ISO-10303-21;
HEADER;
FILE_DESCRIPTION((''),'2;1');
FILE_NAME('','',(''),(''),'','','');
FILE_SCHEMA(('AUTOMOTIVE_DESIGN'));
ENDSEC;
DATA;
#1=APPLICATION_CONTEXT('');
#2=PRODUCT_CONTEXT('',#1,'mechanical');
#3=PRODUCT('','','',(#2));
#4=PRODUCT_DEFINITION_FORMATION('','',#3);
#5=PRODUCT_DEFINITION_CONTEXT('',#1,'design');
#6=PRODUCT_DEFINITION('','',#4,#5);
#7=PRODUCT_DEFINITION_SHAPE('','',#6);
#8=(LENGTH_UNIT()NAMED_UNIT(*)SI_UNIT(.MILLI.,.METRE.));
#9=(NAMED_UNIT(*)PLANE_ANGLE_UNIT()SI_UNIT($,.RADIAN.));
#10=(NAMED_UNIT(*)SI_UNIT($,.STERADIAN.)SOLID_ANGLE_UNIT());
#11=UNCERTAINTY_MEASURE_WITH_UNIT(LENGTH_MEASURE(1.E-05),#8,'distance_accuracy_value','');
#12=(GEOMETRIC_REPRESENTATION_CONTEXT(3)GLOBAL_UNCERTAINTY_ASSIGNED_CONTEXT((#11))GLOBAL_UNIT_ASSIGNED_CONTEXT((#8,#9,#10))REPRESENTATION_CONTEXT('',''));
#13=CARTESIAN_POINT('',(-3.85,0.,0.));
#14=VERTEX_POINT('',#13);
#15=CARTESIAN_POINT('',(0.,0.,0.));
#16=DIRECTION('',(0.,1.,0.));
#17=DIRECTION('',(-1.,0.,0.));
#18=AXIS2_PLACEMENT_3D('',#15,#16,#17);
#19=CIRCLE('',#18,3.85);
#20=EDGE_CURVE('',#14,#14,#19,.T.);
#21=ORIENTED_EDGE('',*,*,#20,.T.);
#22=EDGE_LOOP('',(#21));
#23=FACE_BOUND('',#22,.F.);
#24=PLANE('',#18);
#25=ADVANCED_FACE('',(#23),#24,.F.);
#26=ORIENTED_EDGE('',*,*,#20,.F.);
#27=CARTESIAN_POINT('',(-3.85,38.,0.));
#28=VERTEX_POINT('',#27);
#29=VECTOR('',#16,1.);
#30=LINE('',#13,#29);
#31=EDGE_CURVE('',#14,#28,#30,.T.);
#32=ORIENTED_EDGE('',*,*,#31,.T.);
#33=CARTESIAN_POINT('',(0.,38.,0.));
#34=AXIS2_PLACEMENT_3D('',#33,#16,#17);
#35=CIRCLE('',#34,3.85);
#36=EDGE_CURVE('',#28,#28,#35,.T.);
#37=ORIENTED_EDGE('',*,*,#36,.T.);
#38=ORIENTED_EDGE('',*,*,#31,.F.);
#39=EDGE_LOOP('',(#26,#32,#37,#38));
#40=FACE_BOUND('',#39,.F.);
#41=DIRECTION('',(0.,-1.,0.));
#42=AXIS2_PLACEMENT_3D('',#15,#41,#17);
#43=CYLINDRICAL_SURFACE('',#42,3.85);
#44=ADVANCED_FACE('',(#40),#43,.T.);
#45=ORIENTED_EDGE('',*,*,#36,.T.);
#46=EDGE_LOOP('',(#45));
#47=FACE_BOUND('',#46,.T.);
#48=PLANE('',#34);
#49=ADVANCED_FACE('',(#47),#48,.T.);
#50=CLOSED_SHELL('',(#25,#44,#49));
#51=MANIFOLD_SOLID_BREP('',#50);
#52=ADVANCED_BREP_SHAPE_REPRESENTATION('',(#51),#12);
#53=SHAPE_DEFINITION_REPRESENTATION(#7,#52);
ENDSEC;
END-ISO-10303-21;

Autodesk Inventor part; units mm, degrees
ref_plane "YZ Plane" through (0, 0, 0) normal (1, 0, 0) x (0, 1, 0)
ref_plane "XZ Plane" through (0, 0, 0) normal (0, 1, 0) x (-1, 0, 0)
ref_plane "XY Plane" through (0, 0, 0) normal (0, 0, 1) x (1, 0, 0)
sketch "Sketch2" plane through (0, 0, 0) normal (0, 1, 0) x (-1, 0, 0)
  circle A0 centre (0, 0) radius 3.85
  dimension "d0" = 7.7
extrude "Extrusion1" add sketch "Sketch2" along normal blind 38
properties part number "electronic-cover-replacement-axel"
